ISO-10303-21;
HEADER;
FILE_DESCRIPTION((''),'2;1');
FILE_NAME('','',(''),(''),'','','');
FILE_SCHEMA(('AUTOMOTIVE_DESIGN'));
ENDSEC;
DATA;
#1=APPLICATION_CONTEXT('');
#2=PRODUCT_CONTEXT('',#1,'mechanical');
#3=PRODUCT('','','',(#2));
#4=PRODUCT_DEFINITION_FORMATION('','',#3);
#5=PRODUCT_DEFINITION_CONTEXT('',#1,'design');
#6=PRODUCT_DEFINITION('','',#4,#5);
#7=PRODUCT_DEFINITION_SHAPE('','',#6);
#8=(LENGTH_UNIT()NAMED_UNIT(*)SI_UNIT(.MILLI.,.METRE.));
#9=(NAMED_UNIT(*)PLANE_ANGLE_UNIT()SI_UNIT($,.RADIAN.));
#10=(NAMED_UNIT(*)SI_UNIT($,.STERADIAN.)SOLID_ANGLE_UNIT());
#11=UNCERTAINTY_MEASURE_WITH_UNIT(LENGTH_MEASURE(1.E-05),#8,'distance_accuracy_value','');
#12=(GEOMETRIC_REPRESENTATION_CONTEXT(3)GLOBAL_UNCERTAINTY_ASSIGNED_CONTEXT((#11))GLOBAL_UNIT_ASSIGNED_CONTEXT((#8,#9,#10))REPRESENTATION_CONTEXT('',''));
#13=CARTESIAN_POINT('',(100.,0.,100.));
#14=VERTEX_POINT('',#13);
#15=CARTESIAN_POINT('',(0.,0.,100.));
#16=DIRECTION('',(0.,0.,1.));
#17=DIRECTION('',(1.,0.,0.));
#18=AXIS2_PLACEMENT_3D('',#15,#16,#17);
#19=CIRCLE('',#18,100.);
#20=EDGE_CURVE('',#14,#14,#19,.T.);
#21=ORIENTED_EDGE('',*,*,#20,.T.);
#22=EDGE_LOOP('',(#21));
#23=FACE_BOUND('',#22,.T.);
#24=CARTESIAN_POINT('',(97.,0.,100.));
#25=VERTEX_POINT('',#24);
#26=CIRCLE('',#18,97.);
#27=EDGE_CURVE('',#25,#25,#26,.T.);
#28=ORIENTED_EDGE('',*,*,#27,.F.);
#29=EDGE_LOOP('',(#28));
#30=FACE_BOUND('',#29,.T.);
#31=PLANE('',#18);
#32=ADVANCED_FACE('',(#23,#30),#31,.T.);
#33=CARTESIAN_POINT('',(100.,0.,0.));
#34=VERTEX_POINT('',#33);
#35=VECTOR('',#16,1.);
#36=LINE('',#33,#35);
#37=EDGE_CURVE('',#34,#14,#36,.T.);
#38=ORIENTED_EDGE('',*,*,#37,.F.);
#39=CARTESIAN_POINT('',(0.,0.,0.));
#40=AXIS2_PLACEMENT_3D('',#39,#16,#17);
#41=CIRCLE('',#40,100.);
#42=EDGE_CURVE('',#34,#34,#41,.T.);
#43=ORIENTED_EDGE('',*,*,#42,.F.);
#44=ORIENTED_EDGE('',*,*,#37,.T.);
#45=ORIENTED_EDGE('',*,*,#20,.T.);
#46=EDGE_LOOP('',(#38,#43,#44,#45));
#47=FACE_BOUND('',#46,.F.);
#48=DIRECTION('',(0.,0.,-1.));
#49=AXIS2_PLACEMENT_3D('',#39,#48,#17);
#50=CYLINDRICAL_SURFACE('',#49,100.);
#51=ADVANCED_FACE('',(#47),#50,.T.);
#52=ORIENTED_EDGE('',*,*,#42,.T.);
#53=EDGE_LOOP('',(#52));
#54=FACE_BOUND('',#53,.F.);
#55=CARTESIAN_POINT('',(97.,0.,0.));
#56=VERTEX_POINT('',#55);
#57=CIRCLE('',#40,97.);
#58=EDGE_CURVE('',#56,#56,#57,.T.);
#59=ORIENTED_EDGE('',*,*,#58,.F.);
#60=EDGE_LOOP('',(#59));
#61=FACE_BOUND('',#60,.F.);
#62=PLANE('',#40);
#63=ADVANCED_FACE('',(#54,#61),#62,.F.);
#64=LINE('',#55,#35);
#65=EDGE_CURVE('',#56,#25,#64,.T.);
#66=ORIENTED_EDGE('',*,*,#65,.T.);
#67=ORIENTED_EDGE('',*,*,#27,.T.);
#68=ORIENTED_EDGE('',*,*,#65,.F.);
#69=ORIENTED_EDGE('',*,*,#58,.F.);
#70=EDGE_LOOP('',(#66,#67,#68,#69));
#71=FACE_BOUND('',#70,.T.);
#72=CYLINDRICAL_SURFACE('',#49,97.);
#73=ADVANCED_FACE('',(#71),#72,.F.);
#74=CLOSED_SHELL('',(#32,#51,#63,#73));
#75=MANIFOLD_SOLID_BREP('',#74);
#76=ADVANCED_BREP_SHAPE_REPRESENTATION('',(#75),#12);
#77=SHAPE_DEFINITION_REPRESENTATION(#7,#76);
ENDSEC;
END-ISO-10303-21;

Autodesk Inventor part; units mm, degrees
ref_plane "YZ Plane" through (0, 0, 0) normal (1, 0, 0) x (0, 1, 0)
ref_plane "XZ Plane" through (0, 0, 0) normal (0, 1, 0) x (-1, 0, 0)
ref_plane "XY Plane" through (0, 0, 0) normal (0, 0, 1) x (1, 0, 0)
sketch "Sketch1" plane through (0, 0, 0) normal (0, 0, 1) x (1, 0, 0)
  circle A0 centre (0, 0) radius 100
  circle A1 centre (0, 0) radius 97
  dimension "d0" = 200
  dimension "d1" = 3
extrude "Extrusion1" add sketch "Sketch1" along normal blind 100
properties part number "DSB 111 outer tube" material "Stainless Steel"
